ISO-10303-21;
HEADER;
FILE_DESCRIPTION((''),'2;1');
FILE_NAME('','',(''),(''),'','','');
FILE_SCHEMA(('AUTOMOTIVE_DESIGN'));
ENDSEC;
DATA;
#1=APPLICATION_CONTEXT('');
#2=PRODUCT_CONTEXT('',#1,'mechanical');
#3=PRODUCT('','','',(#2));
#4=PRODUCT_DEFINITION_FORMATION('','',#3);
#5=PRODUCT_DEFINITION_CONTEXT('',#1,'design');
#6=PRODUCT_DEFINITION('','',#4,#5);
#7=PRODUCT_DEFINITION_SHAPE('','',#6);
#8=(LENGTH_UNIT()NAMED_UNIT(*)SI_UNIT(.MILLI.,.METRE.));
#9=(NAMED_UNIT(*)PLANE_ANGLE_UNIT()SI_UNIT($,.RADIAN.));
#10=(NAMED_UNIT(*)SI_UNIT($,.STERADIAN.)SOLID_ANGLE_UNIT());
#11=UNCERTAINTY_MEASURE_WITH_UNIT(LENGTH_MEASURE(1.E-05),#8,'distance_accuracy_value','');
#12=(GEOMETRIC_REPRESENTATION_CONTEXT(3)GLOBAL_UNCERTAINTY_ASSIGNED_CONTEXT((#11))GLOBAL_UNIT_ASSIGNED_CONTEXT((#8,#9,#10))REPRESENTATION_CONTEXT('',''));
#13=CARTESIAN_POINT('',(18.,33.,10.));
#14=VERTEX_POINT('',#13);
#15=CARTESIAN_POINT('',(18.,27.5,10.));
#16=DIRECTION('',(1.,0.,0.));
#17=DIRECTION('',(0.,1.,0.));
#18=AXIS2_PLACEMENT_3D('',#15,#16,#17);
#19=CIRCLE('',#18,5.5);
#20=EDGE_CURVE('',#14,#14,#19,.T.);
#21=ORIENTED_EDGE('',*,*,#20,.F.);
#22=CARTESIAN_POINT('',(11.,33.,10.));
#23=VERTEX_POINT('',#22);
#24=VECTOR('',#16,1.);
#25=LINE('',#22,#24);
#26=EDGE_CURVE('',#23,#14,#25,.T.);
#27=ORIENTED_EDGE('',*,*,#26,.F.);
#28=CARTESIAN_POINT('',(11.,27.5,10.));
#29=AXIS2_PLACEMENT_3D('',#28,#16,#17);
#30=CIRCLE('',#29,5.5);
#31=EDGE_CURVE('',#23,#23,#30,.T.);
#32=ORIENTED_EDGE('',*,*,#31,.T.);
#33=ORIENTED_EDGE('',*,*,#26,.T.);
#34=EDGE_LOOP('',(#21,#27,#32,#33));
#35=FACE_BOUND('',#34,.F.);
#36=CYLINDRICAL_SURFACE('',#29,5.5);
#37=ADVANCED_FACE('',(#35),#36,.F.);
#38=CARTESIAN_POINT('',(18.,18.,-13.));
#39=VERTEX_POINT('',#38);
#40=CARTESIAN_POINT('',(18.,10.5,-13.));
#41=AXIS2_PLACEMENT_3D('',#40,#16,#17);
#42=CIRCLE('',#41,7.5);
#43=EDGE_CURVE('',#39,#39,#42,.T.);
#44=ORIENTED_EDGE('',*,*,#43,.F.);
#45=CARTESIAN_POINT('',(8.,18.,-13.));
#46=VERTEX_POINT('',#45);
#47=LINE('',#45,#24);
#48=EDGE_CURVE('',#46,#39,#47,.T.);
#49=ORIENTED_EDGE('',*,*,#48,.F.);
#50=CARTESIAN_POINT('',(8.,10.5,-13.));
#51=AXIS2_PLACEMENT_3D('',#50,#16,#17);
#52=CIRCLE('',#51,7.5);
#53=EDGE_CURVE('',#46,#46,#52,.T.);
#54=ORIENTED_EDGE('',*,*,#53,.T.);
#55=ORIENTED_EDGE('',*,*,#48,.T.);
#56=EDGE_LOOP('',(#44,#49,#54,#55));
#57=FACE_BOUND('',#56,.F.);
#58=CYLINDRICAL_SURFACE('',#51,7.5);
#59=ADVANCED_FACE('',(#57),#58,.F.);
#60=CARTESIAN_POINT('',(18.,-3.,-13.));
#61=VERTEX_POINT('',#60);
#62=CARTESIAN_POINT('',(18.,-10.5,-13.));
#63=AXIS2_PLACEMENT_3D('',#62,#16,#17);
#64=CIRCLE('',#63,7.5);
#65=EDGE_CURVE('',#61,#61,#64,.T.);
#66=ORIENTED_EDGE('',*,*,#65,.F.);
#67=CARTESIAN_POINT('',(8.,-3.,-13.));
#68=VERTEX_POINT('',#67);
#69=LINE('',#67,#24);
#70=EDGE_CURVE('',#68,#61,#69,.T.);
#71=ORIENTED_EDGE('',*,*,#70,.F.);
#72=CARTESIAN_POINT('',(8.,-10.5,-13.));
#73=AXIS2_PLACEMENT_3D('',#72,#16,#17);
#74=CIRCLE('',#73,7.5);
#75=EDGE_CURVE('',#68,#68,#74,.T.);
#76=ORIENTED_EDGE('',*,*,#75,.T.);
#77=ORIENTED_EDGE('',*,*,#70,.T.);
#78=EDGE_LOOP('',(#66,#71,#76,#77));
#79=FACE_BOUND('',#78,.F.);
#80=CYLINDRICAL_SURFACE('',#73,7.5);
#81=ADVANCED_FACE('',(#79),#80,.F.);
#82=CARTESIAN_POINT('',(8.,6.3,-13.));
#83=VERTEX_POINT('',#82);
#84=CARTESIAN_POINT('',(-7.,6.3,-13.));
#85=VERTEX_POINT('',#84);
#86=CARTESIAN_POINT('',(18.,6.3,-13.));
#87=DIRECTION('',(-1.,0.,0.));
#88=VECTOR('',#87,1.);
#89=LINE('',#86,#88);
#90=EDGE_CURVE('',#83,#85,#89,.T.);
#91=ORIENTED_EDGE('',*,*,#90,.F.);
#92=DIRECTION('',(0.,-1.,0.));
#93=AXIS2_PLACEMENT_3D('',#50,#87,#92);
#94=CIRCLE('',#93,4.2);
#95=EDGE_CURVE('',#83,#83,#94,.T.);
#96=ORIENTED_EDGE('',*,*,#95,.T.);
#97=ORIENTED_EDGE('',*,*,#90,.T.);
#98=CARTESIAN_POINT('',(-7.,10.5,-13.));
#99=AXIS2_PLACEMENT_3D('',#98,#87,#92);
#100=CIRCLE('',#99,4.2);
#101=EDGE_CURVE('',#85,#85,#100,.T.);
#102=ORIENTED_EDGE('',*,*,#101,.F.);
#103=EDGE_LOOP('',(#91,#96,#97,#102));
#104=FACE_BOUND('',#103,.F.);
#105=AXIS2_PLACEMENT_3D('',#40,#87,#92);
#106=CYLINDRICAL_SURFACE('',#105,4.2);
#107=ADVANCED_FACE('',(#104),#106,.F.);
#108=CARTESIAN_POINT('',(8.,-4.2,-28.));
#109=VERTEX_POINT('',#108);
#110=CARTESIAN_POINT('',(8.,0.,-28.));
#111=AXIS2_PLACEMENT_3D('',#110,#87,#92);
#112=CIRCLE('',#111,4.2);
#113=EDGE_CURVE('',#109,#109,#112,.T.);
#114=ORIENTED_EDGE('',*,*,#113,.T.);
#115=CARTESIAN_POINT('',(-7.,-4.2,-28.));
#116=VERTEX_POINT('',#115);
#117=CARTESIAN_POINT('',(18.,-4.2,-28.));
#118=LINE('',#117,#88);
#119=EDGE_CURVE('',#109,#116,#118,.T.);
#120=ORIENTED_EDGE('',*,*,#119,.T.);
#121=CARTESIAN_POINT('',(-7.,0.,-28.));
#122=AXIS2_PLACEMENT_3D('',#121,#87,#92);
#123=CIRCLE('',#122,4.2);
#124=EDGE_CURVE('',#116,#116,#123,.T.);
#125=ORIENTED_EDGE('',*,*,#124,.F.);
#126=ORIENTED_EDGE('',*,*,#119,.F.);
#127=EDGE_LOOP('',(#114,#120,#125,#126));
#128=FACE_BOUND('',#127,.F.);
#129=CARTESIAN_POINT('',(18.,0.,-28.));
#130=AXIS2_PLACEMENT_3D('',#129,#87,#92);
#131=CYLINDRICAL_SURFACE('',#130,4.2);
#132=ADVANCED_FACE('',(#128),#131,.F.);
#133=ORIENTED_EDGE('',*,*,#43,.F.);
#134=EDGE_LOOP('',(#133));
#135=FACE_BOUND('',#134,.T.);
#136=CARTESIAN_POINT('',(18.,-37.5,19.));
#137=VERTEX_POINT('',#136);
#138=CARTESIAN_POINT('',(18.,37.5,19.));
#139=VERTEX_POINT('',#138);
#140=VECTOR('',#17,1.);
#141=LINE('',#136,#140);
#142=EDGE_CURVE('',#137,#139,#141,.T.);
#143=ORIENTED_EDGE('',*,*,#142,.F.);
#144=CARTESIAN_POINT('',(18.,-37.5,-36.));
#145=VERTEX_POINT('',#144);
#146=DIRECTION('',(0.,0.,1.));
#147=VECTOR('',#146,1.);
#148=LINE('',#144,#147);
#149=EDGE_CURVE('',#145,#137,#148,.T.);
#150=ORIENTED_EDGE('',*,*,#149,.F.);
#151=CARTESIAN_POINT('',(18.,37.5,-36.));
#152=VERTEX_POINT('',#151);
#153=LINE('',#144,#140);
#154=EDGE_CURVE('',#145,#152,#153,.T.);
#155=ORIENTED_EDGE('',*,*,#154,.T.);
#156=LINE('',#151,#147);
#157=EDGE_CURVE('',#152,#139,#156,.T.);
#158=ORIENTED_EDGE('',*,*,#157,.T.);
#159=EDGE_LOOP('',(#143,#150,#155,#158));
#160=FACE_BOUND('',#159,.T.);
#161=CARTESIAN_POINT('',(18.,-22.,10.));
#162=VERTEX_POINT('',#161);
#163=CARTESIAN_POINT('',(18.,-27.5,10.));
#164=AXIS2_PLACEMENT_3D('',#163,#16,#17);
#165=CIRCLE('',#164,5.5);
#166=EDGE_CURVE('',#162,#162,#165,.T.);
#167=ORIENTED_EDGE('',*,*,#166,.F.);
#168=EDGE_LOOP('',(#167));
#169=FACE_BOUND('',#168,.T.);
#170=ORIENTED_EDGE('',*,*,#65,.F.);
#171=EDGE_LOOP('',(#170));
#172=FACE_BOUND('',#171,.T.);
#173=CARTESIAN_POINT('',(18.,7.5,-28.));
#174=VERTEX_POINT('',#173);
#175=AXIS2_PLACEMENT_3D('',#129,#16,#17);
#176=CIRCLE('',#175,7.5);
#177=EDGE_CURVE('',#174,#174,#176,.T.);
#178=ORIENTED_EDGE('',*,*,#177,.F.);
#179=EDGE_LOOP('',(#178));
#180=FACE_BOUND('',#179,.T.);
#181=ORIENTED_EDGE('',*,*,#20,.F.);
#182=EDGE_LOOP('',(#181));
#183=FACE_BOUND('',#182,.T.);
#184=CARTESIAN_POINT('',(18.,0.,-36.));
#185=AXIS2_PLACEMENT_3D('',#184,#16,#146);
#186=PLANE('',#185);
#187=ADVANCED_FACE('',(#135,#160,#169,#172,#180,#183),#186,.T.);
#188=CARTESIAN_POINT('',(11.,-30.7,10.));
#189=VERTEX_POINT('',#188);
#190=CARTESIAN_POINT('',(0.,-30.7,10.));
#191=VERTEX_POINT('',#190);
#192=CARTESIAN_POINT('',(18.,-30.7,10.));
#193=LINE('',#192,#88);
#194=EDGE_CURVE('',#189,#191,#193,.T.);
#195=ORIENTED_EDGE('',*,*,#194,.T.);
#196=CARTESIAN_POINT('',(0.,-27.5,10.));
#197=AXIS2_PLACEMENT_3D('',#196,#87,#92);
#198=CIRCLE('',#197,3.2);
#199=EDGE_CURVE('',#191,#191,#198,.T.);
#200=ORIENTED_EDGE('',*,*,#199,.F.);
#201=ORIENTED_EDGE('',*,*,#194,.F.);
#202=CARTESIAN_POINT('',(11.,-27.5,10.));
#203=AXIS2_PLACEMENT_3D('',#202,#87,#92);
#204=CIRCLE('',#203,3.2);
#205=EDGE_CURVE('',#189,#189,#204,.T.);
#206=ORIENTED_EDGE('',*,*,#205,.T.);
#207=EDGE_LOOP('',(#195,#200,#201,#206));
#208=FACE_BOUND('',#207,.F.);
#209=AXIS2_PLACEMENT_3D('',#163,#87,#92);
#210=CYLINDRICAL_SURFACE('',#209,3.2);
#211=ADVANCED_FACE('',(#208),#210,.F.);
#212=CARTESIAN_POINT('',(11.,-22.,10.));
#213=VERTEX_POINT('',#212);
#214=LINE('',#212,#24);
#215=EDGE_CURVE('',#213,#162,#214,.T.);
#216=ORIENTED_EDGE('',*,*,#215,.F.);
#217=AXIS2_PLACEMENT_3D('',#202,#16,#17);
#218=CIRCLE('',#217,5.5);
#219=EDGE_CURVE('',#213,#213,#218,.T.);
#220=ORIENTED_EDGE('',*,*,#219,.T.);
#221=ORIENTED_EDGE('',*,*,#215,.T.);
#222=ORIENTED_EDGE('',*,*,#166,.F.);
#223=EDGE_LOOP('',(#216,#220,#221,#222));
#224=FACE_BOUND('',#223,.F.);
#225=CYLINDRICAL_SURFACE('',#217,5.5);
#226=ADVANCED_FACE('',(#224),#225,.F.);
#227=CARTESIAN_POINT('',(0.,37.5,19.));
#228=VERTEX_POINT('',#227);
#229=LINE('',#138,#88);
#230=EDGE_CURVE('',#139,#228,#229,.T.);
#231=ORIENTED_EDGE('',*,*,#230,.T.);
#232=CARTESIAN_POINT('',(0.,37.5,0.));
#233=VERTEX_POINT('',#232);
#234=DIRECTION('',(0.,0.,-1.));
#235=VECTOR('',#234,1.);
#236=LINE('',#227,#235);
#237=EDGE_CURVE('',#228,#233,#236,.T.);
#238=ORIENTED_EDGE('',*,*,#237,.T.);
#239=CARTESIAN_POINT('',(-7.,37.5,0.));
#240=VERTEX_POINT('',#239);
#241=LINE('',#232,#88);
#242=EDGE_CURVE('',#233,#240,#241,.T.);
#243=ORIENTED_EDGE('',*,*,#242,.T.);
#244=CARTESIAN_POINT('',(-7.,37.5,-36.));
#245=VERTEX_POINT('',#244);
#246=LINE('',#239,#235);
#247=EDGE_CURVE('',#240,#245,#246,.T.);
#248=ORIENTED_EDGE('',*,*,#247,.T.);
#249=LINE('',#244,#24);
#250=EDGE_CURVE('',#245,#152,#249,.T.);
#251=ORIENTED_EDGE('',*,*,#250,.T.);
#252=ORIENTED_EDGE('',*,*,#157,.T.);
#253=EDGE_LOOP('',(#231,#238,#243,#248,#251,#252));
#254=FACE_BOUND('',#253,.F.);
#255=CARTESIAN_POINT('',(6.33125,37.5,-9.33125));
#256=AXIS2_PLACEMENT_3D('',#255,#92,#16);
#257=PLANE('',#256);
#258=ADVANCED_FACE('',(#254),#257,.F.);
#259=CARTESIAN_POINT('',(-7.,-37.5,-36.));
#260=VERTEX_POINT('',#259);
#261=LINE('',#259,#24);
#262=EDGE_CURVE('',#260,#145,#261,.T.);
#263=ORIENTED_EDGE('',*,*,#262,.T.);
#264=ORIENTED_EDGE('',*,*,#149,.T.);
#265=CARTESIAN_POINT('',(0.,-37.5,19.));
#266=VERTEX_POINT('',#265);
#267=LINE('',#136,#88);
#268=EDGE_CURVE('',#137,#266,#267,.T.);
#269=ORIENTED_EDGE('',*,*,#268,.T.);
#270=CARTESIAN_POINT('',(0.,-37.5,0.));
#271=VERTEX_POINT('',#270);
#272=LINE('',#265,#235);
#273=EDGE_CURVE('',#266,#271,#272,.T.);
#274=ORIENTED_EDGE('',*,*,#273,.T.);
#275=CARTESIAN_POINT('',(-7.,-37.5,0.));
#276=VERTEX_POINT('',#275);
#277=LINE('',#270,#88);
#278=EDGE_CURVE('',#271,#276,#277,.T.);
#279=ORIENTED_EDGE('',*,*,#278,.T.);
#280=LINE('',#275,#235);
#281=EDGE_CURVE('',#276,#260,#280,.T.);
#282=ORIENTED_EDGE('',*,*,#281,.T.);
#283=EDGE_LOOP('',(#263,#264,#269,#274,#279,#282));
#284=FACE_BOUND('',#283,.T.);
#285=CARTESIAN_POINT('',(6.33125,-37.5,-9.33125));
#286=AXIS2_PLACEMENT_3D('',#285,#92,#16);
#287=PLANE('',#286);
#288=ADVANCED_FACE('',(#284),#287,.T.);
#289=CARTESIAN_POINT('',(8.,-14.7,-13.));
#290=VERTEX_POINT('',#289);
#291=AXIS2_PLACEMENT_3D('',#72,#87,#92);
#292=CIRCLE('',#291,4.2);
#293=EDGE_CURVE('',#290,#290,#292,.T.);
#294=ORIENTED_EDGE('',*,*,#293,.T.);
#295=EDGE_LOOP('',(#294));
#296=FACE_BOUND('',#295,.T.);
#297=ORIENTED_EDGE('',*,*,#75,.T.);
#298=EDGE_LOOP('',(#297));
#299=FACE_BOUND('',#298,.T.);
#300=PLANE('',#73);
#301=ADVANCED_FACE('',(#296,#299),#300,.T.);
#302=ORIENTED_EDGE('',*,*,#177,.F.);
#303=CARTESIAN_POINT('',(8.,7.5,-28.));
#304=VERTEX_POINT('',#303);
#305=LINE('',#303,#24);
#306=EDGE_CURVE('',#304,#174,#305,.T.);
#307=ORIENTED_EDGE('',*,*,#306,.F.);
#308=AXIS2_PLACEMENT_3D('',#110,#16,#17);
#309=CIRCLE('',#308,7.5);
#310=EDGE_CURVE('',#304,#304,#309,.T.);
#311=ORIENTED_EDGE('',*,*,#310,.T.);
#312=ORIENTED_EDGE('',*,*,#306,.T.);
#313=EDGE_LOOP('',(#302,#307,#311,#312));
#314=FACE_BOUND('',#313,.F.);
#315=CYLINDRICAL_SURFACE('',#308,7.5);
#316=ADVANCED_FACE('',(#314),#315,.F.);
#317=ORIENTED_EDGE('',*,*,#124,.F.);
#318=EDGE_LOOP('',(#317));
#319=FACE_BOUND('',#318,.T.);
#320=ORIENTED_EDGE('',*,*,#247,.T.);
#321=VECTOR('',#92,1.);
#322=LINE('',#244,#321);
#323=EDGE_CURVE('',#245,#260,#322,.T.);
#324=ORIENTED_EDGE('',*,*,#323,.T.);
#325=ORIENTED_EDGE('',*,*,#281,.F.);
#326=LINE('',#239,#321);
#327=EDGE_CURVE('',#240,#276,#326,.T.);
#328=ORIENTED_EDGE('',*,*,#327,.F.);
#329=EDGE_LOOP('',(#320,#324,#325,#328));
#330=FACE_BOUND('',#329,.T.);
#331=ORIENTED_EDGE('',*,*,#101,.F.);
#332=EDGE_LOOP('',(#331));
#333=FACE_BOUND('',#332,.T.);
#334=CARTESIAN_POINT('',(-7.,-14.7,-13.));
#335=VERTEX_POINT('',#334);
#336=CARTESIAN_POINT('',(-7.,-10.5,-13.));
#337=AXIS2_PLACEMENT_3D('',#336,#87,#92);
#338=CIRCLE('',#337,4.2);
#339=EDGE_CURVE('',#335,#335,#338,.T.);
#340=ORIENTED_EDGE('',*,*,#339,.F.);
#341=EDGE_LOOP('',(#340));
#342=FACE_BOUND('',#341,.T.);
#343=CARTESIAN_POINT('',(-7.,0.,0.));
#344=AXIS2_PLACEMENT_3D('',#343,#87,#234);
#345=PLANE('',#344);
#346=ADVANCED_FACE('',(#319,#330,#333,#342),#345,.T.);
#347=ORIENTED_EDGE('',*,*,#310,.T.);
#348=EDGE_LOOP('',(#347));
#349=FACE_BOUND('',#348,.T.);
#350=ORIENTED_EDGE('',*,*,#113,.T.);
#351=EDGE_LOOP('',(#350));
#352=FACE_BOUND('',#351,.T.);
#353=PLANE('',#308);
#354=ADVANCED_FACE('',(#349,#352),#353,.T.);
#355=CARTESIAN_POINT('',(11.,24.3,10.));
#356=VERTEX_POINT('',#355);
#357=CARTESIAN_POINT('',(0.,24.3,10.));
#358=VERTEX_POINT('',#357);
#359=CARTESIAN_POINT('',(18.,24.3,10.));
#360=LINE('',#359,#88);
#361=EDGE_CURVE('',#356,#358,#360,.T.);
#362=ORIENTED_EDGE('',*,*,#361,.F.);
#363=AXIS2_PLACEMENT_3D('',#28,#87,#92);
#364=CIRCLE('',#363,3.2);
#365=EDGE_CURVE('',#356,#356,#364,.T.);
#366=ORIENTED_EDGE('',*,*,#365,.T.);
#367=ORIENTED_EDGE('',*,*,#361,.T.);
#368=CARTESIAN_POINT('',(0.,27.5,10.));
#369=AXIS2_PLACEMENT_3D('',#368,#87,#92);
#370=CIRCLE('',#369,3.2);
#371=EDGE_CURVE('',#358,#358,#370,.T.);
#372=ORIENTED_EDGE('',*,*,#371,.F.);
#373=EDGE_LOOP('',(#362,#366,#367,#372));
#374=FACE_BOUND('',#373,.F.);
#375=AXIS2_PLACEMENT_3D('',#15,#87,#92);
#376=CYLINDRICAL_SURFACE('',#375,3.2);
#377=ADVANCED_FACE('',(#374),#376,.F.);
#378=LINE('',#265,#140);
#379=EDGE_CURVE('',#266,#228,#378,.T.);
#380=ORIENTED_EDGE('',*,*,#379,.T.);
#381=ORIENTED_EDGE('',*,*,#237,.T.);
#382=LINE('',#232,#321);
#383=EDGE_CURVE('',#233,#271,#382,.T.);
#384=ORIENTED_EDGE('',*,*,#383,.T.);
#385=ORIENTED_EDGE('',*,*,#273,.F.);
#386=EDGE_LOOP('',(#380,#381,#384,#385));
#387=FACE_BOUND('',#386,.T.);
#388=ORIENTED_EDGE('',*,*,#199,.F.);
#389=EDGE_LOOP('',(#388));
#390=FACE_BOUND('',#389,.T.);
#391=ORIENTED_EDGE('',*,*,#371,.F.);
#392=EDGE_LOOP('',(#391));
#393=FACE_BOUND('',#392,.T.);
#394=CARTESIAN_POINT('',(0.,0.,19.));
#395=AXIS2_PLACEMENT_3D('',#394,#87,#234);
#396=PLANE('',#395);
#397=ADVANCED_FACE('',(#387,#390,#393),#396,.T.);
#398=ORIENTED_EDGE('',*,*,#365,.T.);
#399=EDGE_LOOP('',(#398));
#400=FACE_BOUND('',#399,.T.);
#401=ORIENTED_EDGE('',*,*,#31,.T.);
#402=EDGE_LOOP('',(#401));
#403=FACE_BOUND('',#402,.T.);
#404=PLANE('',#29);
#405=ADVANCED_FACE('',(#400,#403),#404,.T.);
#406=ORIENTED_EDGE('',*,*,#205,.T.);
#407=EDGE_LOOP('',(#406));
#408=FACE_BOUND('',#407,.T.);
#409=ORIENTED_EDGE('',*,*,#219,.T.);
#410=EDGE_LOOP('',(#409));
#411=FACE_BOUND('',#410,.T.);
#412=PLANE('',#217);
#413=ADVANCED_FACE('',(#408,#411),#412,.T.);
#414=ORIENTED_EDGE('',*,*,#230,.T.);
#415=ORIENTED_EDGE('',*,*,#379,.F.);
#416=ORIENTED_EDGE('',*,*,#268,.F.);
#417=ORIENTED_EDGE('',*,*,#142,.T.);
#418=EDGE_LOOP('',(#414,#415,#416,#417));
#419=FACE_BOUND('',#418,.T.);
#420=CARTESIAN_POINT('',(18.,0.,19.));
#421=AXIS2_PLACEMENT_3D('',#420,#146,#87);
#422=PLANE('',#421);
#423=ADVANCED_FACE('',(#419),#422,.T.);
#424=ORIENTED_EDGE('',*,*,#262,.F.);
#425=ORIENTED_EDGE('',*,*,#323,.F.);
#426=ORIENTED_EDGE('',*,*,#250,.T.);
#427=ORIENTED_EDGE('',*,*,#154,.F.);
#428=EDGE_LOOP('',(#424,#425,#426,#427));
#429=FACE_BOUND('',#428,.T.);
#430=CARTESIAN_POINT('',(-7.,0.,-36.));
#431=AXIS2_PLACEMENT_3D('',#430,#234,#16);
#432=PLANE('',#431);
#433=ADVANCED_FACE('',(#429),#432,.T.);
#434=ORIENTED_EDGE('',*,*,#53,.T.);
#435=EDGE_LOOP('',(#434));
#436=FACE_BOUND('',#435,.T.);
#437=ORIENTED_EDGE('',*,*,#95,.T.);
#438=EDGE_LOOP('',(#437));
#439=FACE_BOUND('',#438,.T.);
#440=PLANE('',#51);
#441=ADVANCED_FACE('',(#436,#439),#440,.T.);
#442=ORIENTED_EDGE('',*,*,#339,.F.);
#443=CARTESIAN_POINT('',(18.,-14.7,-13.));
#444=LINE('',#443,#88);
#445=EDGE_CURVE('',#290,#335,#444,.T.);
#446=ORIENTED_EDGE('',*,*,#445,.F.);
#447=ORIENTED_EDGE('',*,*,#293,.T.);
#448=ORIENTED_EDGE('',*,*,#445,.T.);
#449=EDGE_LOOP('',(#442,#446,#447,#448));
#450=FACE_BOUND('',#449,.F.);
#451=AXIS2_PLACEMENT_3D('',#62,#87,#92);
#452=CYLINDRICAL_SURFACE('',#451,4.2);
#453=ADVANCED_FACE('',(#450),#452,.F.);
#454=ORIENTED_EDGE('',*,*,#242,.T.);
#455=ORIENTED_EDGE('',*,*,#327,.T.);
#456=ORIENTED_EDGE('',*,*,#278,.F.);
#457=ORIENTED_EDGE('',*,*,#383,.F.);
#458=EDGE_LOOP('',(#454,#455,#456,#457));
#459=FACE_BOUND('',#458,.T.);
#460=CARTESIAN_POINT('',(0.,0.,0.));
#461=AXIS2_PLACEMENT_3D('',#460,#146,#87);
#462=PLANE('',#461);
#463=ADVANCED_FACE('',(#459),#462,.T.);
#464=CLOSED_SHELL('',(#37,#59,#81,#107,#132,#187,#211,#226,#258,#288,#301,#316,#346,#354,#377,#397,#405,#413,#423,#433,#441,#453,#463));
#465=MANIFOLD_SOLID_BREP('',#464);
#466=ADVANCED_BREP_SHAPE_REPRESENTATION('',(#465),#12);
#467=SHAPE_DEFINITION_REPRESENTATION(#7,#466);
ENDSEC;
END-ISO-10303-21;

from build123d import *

# Parameters (mm, degrees)
F1_DEPTH       = 37.5
F3_D           = 8.4
F3_CBORE_D     = 15
F3_CBORE_DEPTH = 10
F4_D           = 6.4
F4_CBORE_D     = 11
F4_CBORE_DEPTH = 7


with BuildPart() as f1:
    # F0 (on Front) → F1 (new body, symmetric)
    with BuildSketch(Plane.XZ):
        Polygon((0, 19), (0, 0), (-7, 0), (-7, -36), (18, -36), (18, 19), align=None)
    extrude(amount=F1_DEPTH, both=True)

    # F3 (through all)
    with Locations(Plane.YZ.offset(18)):
        with Locations((-10.5, -13), (10.5, -13), (0, -28)):
            CounterBoreHole(F3_D / 2, F3_CBORE_D / 2, F3_CBORE_DEPTH)

    # F4 (through all)
    with Locations(Plane.YZ.offset(18)):
        with Locations((-27.5, 10), (27.5, 10)):
            CounterBoreHole(F4_D / 2, F4_CBORE_D / 2, F4_CBORE_DEPTH)


solid = f1.part
